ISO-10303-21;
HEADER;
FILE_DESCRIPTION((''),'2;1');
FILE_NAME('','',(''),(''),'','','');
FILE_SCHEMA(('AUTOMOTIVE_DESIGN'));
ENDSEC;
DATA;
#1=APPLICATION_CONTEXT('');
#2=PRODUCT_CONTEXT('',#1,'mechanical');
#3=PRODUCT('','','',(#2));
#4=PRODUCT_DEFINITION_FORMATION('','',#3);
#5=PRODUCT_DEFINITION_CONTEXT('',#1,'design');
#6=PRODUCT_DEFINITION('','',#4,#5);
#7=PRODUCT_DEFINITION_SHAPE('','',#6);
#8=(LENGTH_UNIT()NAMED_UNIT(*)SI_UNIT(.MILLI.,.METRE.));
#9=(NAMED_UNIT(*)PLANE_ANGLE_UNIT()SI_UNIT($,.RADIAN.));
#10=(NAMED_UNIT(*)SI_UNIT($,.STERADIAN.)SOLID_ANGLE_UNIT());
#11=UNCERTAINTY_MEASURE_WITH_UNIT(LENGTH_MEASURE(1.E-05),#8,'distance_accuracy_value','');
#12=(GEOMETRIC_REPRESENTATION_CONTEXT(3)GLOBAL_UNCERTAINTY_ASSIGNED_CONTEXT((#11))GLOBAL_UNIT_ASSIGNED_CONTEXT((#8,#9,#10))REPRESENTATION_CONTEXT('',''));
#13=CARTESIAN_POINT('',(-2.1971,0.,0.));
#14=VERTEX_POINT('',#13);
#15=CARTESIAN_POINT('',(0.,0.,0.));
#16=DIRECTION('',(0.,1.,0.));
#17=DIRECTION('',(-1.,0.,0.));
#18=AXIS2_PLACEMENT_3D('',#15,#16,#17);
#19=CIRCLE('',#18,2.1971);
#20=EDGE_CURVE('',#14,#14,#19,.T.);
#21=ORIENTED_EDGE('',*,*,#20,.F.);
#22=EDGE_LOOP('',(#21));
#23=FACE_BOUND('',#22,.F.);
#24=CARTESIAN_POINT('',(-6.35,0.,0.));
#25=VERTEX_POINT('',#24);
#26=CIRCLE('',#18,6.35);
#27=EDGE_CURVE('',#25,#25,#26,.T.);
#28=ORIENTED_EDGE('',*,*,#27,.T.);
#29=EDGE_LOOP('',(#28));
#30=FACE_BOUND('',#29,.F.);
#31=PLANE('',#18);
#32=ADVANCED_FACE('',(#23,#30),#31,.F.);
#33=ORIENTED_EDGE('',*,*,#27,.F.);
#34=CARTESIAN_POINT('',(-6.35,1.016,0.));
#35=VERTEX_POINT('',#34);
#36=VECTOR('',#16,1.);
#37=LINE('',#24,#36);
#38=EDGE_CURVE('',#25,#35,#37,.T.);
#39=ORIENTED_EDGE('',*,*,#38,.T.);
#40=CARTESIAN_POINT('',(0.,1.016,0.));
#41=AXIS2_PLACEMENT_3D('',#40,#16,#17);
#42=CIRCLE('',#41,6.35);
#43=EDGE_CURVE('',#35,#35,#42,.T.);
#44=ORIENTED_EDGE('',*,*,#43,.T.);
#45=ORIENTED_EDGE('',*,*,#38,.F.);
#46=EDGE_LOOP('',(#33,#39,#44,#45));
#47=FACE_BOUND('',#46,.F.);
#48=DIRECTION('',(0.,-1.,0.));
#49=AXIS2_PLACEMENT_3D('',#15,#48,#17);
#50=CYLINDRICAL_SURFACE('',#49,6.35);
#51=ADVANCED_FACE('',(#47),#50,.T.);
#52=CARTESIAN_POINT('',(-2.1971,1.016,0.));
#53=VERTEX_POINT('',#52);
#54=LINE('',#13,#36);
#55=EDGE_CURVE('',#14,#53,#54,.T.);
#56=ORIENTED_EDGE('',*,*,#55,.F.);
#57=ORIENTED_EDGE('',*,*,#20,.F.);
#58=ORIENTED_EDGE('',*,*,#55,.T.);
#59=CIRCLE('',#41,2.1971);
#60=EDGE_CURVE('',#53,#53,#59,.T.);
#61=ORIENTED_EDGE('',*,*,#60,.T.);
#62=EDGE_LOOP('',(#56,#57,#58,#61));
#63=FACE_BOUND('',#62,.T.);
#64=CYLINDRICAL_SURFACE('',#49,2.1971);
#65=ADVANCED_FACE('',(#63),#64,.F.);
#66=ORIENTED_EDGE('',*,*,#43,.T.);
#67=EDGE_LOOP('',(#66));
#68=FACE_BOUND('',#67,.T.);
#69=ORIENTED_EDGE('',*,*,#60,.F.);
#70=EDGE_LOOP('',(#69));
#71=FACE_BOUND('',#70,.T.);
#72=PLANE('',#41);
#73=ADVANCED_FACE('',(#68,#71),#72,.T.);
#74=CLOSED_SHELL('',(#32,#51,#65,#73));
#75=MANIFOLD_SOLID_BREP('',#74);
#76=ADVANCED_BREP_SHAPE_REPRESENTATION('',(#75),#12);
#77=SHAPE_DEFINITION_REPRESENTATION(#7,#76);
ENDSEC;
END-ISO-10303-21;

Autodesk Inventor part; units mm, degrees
ref_plane "YZ Plane" through (0, 0, 0) normal (1, 0, 0) x (0, 1, 0)
ref_plane "XZ Plane" through (0, 0, 0) normal (0, 1, 0) x (-1, 0, 0)
ref_plane "XY Plane" through (0, 0, 0) normal (0, 0, 1) x (1, 0, 0)
sketch "Sketch1" plane through (0, 0, 0) normal (0, 1, 0) x (-1, 0, 0)
  circle A0 centre (0, 0) radius 2.1971
  circle A1 centre (0, 0) radius 6.35
  dimension "d0" = 4.3942
  dimension "d1" = 12.7
extrude "Extrusion1" add sketch "Sketch1" along normal blind 1.016
properties part number "Teflon Washer-.04" material "ABS Plastic"
